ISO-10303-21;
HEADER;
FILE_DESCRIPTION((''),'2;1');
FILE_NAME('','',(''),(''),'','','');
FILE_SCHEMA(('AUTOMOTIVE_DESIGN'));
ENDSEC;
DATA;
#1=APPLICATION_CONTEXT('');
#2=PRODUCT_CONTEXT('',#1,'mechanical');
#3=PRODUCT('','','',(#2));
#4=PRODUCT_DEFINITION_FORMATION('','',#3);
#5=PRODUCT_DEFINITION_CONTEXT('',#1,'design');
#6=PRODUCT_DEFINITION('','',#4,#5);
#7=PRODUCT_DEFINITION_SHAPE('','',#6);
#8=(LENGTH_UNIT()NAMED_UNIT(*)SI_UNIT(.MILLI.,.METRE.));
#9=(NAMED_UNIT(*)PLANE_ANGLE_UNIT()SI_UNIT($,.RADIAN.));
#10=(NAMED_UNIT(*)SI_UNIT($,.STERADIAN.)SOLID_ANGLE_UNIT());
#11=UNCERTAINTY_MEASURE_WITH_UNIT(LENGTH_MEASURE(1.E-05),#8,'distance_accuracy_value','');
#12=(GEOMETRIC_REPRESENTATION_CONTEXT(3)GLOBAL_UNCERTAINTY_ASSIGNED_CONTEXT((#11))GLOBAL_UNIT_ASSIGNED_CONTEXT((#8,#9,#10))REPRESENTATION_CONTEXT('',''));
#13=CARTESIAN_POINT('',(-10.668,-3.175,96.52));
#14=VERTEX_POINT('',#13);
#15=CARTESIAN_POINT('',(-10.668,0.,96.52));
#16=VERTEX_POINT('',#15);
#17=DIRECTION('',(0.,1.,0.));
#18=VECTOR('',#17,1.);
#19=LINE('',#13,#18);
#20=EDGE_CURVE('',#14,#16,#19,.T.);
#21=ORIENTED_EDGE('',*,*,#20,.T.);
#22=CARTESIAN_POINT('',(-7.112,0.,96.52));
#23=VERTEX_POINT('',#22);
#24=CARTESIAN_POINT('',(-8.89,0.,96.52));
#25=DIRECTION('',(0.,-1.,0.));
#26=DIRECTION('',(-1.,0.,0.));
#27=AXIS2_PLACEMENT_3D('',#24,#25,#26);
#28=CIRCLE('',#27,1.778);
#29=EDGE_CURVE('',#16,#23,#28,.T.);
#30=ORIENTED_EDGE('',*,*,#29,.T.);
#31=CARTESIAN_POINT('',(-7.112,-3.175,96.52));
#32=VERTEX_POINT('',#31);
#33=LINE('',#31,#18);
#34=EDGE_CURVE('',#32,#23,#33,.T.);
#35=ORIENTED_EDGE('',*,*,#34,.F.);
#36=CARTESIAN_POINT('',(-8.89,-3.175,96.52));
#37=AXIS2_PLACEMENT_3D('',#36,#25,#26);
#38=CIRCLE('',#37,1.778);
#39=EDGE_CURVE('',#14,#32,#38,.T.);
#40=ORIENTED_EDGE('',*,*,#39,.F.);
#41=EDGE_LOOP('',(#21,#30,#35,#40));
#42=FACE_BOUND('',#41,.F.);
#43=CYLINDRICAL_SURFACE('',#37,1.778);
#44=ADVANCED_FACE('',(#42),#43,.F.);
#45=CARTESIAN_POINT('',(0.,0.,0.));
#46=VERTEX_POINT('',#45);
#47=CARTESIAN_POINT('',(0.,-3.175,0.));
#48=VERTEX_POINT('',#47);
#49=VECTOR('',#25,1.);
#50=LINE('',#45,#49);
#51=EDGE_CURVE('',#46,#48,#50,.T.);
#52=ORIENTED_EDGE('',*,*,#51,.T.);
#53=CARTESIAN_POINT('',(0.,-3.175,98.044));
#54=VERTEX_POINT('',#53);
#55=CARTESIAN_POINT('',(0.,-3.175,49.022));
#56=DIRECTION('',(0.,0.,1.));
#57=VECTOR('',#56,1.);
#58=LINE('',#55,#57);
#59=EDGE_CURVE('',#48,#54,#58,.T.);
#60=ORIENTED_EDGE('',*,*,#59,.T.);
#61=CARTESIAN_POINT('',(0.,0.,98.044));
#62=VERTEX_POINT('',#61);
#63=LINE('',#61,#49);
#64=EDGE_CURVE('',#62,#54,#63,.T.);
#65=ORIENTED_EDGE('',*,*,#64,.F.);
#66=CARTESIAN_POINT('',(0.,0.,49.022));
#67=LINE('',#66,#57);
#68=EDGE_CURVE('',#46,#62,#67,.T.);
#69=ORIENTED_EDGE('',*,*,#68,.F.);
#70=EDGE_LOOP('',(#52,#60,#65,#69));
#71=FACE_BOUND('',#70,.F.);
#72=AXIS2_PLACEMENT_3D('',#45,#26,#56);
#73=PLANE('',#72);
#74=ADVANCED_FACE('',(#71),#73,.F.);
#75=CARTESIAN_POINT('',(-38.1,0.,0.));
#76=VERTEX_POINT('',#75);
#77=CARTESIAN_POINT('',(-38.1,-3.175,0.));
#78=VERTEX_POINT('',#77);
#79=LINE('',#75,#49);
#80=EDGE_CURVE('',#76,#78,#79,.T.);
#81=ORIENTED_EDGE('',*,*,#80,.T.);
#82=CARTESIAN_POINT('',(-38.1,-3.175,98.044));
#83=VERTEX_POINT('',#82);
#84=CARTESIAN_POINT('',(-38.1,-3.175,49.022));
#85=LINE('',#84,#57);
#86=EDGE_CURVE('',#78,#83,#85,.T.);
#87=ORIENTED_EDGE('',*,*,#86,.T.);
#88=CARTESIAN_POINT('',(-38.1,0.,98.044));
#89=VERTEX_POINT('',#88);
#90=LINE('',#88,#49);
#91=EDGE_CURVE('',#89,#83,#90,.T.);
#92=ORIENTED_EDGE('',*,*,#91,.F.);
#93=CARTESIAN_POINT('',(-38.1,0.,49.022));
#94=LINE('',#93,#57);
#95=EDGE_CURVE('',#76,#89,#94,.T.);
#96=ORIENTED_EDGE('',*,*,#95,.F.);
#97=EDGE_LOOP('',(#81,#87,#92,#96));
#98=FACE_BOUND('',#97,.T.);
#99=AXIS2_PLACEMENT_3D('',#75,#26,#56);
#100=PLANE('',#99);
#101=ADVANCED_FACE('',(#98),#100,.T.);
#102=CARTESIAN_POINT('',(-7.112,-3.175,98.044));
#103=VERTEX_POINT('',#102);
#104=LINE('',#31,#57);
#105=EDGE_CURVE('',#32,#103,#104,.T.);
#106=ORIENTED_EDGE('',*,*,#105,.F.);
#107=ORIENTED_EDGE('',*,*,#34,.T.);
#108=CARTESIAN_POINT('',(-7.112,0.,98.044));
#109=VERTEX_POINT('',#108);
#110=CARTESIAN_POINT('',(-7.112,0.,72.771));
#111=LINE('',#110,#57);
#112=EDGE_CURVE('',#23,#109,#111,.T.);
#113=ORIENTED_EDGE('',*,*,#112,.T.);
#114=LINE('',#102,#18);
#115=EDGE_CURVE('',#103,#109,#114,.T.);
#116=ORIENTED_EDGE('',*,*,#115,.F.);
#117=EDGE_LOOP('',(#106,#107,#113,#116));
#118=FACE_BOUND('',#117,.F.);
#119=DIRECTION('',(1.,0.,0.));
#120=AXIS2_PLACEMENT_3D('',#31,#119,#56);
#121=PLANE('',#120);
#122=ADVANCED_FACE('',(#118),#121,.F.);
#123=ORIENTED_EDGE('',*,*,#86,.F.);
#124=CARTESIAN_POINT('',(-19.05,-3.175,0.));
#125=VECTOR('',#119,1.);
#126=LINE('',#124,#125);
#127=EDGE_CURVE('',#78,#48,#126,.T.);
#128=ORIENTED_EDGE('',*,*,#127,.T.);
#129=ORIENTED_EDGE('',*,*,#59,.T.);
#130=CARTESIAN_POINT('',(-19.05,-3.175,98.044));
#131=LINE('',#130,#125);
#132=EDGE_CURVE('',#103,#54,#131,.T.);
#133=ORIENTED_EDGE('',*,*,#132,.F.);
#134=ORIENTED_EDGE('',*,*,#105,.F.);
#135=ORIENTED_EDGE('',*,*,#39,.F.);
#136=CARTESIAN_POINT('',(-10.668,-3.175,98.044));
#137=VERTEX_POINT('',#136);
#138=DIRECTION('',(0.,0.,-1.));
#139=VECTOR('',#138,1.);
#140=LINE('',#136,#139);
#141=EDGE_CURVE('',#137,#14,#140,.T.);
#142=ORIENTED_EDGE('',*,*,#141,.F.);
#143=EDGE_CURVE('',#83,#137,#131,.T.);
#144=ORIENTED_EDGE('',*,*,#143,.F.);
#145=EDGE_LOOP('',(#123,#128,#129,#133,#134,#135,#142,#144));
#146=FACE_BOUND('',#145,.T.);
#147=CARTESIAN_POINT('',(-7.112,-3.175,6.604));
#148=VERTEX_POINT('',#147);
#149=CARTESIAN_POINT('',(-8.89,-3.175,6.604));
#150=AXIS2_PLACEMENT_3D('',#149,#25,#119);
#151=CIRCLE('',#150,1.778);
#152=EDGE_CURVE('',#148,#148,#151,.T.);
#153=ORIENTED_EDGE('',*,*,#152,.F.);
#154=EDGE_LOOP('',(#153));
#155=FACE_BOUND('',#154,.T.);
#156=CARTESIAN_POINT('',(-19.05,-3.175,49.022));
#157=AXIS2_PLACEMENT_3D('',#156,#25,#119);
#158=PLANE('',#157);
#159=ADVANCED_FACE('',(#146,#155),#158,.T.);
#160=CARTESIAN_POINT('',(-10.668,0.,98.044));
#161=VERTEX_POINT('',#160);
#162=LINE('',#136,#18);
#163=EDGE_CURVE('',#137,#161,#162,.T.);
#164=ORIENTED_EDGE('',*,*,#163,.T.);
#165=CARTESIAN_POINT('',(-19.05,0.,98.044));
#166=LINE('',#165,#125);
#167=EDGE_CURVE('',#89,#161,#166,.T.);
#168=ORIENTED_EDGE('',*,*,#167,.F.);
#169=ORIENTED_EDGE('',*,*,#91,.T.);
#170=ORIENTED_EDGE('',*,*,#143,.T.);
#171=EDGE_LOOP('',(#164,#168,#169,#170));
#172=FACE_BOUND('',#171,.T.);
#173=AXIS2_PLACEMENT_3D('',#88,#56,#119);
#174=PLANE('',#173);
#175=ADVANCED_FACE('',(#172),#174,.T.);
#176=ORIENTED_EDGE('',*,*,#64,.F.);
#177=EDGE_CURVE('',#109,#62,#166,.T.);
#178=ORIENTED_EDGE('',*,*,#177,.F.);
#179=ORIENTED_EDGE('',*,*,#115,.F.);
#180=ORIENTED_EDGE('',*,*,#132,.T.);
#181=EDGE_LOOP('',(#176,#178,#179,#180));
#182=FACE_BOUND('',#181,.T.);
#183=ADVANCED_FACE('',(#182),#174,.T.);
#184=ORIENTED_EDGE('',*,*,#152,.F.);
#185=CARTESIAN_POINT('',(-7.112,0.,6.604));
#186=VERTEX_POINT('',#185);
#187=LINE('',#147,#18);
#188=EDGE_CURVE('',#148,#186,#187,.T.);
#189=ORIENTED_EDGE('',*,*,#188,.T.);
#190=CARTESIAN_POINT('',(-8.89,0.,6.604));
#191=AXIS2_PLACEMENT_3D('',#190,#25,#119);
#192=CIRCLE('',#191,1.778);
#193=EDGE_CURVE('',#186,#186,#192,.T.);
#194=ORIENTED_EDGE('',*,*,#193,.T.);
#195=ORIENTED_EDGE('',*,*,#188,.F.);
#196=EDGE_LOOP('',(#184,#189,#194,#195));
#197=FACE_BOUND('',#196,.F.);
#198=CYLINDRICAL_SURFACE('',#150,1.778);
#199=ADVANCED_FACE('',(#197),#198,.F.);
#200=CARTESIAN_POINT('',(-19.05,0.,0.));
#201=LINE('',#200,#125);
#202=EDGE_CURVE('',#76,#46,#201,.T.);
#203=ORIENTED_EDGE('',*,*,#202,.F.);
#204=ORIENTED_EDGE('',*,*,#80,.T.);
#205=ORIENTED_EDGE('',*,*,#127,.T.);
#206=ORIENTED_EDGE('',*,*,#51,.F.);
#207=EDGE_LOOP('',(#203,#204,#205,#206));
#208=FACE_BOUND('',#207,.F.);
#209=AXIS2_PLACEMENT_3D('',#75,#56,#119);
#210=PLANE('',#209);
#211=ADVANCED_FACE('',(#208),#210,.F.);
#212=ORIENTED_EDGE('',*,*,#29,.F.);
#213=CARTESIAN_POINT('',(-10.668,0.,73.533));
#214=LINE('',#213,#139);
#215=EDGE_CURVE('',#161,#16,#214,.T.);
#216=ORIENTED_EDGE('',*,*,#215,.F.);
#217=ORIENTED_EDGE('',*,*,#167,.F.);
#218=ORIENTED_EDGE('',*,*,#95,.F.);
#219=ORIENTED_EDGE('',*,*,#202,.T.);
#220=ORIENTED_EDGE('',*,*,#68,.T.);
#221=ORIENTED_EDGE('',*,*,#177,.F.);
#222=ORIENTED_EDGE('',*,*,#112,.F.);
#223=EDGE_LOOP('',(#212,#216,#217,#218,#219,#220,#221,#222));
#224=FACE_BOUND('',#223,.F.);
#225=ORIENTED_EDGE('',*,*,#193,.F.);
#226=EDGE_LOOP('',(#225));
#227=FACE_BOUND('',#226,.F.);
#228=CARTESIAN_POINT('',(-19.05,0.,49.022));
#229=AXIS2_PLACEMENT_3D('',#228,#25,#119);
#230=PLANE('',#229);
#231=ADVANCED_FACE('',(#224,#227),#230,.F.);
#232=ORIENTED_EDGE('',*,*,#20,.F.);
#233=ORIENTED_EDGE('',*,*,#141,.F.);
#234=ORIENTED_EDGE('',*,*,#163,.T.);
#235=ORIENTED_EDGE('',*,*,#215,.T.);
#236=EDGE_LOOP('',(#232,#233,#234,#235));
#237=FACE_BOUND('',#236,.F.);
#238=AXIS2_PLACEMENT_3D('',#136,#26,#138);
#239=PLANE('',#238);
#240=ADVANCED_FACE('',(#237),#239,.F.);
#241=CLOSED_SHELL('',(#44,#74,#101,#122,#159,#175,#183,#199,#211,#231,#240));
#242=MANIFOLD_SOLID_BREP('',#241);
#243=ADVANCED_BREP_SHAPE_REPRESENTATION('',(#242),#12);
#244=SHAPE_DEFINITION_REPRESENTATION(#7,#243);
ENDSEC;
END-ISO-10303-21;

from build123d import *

# Parameters (mm, degrees)
F0_W     = 38.1
F0_H     = 98.044
F1_DEPTH = 3.175
F2_R     = 1.778
F3_DEPTH = 3.176


with BuildPart() as f1:
    # F0 (on Front) → F1 (new body)
    with BuildSketch(Plane.XZ):
        with Locations((-19.05, 49.022)):
            Rectangle(F0_W, F0_H)
    extrude(amount=F1_DEPTH)

    # F2 (on face) → F3 (cut, through all)
    with BuildSketch(Plane.XZ.offset(3.175)):
        with Locations((-8.89, 6.604)):
            Circle(F2_R)
        with BuildLine():
            ThreePointArc((-10.668, 96.52), (-8.89, 94.742), (-7.112, 96.52))
            Line((-7.112, 96.52), (-7.112, 98.044))
            Line((-7.112, 98.044), (-10.668, 98.044))
            Line((-10.668, 98.044), (-10.668, 96.52))
        make_face()
    extrude(amount=-F3_DEPTH, mode=Mode.SUBTRACT)


solid = f1.part
